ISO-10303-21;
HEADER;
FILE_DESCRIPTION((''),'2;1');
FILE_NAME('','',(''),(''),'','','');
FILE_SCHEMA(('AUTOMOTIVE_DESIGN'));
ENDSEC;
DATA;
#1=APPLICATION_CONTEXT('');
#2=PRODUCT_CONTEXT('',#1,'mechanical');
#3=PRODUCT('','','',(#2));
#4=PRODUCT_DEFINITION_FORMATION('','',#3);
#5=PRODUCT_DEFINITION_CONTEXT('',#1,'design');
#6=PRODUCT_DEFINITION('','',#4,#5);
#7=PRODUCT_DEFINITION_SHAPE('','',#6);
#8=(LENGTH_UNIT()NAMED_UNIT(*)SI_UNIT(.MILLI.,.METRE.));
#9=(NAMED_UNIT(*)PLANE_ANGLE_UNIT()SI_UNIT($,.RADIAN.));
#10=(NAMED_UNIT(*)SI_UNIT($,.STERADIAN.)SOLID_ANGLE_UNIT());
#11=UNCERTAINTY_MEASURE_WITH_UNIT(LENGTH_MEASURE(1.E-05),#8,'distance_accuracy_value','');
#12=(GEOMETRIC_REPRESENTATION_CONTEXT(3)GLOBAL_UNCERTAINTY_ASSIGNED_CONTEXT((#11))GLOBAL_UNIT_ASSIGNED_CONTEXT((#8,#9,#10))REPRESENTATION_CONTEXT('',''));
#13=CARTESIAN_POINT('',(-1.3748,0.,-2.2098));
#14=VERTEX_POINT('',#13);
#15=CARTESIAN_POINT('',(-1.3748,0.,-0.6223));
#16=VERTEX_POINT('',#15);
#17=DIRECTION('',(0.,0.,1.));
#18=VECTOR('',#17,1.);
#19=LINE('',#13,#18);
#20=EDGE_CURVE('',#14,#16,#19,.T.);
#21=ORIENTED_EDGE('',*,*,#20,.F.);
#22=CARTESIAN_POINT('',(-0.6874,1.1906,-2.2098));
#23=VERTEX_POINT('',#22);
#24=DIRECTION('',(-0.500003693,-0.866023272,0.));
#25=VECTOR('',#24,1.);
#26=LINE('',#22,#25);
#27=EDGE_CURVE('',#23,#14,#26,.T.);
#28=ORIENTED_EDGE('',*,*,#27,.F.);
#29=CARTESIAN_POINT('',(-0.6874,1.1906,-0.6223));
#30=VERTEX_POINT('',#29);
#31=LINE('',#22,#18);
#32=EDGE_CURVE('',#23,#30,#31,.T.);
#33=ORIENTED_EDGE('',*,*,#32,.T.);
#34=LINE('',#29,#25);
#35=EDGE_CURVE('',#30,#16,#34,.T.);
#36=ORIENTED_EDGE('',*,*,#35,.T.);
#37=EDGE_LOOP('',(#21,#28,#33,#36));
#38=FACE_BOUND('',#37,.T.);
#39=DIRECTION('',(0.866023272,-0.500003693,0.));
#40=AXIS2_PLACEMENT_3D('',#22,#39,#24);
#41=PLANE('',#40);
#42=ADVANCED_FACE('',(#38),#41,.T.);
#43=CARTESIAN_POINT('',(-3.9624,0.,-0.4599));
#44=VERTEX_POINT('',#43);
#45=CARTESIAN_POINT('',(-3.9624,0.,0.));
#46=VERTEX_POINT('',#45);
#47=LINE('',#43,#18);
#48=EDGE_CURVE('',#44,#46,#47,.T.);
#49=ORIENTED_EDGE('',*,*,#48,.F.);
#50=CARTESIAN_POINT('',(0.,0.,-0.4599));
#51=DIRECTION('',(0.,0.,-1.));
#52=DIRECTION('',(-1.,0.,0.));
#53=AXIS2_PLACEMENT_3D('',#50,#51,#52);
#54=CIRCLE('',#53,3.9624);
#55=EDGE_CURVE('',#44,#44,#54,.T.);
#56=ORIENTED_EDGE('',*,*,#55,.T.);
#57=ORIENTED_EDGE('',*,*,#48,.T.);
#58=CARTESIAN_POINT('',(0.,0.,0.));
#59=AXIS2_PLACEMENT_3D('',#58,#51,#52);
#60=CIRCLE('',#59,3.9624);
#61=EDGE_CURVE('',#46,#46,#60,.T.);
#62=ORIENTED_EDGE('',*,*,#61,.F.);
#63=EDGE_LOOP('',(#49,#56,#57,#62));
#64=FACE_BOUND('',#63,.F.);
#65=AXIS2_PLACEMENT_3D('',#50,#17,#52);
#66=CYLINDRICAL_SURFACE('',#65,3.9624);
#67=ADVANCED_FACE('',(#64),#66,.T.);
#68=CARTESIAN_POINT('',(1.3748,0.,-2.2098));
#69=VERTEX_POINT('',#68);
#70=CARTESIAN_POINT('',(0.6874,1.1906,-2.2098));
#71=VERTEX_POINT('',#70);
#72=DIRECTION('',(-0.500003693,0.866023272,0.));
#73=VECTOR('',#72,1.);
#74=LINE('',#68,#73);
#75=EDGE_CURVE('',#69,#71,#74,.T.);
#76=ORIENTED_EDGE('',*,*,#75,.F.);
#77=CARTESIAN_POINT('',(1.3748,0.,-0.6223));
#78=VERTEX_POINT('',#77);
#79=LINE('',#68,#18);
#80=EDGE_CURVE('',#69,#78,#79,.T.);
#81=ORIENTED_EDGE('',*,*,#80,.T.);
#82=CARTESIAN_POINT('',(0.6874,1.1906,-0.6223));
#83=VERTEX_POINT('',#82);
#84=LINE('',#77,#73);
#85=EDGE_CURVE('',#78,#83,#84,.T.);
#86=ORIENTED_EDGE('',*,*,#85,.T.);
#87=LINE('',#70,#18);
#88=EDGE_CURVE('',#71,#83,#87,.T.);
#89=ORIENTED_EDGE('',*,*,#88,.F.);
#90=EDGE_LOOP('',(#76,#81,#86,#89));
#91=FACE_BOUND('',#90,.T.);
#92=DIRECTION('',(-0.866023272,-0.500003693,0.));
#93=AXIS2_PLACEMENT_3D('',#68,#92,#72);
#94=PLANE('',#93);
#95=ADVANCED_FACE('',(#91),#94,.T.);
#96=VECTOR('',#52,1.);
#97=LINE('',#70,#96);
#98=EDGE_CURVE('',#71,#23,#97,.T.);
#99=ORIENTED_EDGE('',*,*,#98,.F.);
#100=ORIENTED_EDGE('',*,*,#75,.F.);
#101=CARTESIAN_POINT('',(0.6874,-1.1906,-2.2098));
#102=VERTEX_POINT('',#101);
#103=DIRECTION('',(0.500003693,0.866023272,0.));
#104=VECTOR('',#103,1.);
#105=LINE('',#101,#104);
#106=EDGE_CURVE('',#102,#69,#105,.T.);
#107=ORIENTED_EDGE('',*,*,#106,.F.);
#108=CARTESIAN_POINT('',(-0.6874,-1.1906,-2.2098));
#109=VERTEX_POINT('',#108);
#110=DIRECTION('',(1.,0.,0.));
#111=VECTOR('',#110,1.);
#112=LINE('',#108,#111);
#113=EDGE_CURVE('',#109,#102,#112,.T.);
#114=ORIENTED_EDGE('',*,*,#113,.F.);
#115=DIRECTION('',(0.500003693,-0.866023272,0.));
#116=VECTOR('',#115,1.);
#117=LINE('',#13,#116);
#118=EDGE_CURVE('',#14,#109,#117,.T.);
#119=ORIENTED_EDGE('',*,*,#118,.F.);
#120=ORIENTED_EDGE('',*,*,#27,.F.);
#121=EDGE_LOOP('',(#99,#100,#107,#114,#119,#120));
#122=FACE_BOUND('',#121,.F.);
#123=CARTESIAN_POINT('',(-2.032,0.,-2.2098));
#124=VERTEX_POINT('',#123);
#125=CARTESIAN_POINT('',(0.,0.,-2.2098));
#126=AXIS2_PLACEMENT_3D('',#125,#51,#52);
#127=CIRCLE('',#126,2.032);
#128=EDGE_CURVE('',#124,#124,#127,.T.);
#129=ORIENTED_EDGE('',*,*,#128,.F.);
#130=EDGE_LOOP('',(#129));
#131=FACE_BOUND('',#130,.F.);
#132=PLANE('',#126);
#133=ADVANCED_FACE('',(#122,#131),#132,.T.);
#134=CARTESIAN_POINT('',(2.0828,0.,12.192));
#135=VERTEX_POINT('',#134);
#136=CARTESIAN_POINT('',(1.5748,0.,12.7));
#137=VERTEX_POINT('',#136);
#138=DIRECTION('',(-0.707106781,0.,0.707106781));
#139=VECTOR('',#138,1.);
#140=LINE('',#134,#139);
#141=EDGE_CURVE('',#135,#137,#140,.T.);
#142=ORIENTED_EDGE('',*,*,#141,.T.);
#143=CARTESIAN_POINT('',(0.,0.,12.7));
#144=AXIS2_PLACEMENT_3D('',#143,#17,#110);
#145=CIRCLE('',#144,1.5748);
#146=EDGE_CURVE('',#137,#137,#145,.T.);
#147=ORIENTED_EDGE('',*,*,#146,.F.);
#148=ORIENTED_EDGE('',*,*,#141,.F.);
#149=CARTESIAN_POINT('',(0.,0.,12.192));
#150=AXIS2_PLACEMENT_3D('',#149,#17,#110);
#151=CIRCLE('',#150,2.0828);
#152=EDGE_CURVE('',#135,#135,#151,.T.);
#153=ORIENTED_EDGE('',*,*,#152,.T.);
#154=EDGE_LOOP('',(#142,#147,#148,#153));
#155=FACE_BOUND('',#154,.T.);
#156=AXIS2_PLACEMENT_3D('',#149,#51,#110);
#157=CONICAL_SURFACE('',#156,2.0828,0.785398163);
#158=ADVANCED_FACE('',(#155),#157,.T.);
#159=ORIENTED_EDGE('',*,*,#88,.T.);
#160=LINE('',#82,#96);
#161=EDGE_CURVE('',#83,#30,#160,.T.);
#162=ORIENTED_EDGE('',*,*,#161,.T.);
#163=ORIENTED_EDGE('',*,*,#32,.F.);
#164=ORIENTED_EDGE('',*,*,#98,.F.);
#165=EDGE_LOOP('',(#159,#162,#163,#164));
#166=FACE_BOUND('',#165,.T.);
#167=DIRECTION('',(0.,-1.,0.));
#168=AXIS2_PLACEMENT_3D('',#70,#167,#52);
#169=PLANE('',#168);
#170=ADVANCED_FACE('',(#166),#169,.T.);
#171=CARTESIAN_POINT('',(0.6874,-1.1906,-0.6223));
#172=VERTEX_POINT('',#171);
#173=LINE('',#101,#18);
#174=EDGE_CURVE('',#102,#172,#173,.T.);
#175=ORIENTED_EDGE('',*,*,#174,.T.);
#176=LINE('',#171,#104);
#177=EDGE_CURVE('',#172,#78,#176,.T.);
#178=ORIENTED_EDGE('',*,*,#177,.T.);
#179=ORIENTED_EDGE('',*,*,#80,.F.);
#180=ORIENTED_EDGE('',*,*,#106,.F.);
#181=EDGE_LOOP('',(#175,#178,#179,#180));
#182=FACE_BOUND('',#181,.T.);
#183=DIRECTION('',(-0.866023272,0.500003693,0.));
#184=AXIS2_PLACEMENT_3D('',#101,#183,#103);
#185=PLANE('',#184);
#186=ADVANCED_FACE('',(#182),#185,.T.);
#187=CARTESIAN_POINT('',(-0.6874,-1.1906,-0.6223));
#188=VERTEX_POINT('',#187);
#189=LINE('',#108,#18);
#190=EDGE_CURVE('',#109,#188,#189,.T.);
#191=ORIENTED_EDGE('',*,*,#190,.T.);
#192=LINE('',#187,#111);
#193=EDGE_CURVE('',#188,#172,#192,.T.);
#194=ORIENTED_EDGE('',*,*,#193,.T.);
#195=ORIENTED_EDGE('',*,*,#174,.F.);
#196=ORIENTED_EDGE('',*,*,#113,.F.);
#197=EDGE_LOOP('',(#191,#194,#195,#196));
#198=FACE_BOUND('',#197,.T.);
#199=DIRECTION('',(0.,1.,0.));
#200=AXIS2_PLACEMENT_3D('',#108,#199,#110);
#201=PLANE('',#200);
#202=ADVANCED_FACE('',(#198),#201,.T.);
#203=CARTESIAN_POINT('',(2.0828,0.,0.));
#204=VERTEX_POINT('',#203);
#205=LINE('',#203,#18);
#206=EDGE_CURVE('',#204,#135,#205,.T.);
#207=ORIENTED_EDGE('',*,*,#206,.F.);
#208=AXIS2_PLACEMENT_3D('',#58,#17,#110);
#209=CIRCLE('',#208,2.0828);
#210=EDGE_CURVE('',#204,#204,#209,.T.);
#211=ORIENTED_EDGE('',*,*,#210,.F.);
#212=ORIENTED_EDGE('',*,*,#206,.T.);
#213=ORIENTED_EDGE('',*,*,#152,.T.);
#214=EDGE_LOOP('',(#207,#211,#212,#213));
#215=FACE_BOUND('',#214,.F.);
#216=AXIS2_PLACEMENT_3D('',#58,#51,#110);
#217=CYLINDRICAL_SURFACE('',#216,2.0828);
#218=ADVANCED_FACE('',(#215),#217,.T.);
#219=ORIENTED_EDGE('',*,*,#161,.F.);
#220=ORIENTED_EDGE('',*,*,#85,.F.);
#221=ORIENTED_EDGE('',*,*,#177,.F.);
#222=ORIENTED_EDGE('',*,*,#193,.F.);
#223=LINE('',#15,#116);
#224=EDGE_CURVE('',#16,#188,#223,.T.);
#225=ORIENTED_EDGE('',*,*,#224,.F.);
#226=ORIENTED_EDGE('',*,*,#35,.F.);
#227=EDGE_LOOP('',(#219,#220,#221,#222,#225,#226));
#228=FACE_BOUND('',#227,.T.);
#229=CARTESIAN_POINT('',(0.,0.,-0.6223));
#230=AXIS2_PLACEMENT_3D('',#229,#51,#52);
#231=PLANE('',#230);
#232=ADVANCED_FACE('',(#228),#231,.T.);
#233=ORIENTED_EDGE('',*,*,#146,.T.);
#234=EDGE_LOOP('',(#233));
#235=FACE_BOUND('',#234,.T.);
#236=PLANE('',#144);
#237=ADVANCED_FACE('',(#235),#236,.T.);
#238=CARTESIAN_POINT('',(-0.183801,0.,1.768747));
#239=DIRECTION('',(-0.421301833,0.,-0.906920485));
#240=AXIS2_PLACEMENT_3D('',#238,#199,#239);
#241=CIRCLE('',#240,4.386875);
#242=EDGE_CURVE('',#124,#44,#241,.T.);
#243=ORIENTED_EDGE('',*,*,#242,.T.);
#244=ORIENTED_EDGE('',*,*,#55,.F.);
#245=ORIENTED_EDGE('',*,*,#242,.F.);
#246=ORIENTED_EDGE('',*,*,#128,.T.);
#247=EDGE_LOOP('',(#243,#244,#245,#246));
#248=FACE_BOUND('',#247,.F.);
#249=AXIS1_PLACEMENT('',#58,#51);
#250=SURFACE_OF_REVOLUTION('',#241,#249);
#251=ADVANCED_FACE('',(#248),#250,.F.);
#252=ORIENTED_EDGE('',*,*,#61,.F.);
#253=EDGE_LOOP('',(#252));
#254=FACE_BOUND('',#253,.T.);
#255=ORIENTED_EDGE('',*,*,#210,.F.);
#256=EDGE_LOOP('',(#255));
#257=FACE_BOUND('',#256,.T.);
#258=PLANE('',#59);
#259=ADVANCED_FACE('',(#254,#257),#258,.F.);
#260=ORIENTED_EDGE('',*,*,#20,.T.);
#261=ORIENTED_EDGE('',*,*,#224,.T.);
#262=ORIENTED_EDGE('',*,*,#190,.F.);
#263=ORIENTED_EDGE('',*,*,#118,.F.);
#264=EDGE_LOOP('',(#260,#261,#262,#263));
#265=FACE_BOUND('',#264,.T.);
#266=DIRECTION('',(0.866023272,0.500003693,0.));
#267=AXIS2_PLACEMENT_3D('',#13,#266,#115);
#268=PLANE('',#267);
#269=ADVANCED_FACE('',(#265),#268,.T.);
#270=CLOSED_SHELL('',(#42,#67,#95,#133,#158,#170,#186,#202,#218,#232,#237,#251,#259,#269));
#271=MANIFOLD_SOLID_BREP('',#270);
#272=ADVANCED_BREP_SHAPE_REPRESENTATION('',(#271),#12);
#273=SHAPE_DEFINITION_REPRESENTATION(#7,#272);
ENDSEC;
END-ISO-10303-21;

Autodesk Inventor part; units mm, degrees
ref_plane "YZ Plane" through (0, 0, 0) normal (1, 0, 0) x (0, 1, 0)
ref_plane "XZ Plane" through (0, 0, 0) normal (0, 1, 0) x (-1, 0, 0)
ref_plane "XY Plane" through (0, 0, 0) normal (0, 0, 1) x (1, 0, 0)
sketch "Sketch1" plane through (0, 0, 0) normal (0, 0, 1) x (1, 0, 0)
  circle A0 centre (0, 0) radius 2.0828
  dimension "d0" = 4.1656
extrude "Extrusion1" add sketch "Sketch1" along normal blind 12.7
sketch "Sketch2" plane through (0, 0, 0) normal (0, 1, 0) x (-1, 0, 0)
  line L0 (0, 0) -> (0, -2.2098)
  line L1 (0, 0) -> (3.9624, 0)
  line L2 (0, -2.2098) -> (2.032, -2.2098)
  line L3 (3.9624, 0) -> (3.9624, 3.6562) construction
  arc A0 (2.032, -2.2098) -> (3.9624, -0.4599) centre (0.1837, 1.7689) ccw
  line L4 (4.5847, 0.6553) -> (4.5847, -0.2608) construction
  line L5 (3.9624, -0.4599) -> (3.9624, 0)
  dimension "d3" = 2.2098
  dimension "d6" = 2.032
  dimension "d19" = 3.9624
revolve "Revolution1" add sketch "Sketch2" angle 360 about axis through (0, 0, 0) along (0, 0, -1)
sketch "Sketch3" plane through (0, 0, -2.2098) normal (0, 0, -1) x (-1, 0, 0)
  circle A0 centre (0, 0) radius 2.032 projected
  line L0 (-0.6874, 1.1906) -> (0.6874, 1.1906)
  line L1 (0.6874, 1.1906) -> (1.3748, 0)
  line L2 (1.3748, 0) -> (0.6874, -1.1906)
  line L3 (0.6874, -1.1906) -> (-0.6874, -1.1906)
  line L4 (-0.6874, -1.1906) -> (-1.3748, 0)
  line L5 (-1.3748, 0) -> (-0.6874, 1.1906)
  dimension "d8" = 2.3813
extrude "Extrusion2" cut sketch "Sketch3" against normal blind 1.5875 contours L0 L1 L2 L3 L4 L5
chamfer "Chamfer1" distance 0.508 angle 45 1 edges at (-2.0828, 0, 12.7)
thread "Thread1" size "8-32 UNC" class "2A" standard "ANSI Unified Screw Threads" full length
properties part number "10-32 x500 button head" material "Steel"
